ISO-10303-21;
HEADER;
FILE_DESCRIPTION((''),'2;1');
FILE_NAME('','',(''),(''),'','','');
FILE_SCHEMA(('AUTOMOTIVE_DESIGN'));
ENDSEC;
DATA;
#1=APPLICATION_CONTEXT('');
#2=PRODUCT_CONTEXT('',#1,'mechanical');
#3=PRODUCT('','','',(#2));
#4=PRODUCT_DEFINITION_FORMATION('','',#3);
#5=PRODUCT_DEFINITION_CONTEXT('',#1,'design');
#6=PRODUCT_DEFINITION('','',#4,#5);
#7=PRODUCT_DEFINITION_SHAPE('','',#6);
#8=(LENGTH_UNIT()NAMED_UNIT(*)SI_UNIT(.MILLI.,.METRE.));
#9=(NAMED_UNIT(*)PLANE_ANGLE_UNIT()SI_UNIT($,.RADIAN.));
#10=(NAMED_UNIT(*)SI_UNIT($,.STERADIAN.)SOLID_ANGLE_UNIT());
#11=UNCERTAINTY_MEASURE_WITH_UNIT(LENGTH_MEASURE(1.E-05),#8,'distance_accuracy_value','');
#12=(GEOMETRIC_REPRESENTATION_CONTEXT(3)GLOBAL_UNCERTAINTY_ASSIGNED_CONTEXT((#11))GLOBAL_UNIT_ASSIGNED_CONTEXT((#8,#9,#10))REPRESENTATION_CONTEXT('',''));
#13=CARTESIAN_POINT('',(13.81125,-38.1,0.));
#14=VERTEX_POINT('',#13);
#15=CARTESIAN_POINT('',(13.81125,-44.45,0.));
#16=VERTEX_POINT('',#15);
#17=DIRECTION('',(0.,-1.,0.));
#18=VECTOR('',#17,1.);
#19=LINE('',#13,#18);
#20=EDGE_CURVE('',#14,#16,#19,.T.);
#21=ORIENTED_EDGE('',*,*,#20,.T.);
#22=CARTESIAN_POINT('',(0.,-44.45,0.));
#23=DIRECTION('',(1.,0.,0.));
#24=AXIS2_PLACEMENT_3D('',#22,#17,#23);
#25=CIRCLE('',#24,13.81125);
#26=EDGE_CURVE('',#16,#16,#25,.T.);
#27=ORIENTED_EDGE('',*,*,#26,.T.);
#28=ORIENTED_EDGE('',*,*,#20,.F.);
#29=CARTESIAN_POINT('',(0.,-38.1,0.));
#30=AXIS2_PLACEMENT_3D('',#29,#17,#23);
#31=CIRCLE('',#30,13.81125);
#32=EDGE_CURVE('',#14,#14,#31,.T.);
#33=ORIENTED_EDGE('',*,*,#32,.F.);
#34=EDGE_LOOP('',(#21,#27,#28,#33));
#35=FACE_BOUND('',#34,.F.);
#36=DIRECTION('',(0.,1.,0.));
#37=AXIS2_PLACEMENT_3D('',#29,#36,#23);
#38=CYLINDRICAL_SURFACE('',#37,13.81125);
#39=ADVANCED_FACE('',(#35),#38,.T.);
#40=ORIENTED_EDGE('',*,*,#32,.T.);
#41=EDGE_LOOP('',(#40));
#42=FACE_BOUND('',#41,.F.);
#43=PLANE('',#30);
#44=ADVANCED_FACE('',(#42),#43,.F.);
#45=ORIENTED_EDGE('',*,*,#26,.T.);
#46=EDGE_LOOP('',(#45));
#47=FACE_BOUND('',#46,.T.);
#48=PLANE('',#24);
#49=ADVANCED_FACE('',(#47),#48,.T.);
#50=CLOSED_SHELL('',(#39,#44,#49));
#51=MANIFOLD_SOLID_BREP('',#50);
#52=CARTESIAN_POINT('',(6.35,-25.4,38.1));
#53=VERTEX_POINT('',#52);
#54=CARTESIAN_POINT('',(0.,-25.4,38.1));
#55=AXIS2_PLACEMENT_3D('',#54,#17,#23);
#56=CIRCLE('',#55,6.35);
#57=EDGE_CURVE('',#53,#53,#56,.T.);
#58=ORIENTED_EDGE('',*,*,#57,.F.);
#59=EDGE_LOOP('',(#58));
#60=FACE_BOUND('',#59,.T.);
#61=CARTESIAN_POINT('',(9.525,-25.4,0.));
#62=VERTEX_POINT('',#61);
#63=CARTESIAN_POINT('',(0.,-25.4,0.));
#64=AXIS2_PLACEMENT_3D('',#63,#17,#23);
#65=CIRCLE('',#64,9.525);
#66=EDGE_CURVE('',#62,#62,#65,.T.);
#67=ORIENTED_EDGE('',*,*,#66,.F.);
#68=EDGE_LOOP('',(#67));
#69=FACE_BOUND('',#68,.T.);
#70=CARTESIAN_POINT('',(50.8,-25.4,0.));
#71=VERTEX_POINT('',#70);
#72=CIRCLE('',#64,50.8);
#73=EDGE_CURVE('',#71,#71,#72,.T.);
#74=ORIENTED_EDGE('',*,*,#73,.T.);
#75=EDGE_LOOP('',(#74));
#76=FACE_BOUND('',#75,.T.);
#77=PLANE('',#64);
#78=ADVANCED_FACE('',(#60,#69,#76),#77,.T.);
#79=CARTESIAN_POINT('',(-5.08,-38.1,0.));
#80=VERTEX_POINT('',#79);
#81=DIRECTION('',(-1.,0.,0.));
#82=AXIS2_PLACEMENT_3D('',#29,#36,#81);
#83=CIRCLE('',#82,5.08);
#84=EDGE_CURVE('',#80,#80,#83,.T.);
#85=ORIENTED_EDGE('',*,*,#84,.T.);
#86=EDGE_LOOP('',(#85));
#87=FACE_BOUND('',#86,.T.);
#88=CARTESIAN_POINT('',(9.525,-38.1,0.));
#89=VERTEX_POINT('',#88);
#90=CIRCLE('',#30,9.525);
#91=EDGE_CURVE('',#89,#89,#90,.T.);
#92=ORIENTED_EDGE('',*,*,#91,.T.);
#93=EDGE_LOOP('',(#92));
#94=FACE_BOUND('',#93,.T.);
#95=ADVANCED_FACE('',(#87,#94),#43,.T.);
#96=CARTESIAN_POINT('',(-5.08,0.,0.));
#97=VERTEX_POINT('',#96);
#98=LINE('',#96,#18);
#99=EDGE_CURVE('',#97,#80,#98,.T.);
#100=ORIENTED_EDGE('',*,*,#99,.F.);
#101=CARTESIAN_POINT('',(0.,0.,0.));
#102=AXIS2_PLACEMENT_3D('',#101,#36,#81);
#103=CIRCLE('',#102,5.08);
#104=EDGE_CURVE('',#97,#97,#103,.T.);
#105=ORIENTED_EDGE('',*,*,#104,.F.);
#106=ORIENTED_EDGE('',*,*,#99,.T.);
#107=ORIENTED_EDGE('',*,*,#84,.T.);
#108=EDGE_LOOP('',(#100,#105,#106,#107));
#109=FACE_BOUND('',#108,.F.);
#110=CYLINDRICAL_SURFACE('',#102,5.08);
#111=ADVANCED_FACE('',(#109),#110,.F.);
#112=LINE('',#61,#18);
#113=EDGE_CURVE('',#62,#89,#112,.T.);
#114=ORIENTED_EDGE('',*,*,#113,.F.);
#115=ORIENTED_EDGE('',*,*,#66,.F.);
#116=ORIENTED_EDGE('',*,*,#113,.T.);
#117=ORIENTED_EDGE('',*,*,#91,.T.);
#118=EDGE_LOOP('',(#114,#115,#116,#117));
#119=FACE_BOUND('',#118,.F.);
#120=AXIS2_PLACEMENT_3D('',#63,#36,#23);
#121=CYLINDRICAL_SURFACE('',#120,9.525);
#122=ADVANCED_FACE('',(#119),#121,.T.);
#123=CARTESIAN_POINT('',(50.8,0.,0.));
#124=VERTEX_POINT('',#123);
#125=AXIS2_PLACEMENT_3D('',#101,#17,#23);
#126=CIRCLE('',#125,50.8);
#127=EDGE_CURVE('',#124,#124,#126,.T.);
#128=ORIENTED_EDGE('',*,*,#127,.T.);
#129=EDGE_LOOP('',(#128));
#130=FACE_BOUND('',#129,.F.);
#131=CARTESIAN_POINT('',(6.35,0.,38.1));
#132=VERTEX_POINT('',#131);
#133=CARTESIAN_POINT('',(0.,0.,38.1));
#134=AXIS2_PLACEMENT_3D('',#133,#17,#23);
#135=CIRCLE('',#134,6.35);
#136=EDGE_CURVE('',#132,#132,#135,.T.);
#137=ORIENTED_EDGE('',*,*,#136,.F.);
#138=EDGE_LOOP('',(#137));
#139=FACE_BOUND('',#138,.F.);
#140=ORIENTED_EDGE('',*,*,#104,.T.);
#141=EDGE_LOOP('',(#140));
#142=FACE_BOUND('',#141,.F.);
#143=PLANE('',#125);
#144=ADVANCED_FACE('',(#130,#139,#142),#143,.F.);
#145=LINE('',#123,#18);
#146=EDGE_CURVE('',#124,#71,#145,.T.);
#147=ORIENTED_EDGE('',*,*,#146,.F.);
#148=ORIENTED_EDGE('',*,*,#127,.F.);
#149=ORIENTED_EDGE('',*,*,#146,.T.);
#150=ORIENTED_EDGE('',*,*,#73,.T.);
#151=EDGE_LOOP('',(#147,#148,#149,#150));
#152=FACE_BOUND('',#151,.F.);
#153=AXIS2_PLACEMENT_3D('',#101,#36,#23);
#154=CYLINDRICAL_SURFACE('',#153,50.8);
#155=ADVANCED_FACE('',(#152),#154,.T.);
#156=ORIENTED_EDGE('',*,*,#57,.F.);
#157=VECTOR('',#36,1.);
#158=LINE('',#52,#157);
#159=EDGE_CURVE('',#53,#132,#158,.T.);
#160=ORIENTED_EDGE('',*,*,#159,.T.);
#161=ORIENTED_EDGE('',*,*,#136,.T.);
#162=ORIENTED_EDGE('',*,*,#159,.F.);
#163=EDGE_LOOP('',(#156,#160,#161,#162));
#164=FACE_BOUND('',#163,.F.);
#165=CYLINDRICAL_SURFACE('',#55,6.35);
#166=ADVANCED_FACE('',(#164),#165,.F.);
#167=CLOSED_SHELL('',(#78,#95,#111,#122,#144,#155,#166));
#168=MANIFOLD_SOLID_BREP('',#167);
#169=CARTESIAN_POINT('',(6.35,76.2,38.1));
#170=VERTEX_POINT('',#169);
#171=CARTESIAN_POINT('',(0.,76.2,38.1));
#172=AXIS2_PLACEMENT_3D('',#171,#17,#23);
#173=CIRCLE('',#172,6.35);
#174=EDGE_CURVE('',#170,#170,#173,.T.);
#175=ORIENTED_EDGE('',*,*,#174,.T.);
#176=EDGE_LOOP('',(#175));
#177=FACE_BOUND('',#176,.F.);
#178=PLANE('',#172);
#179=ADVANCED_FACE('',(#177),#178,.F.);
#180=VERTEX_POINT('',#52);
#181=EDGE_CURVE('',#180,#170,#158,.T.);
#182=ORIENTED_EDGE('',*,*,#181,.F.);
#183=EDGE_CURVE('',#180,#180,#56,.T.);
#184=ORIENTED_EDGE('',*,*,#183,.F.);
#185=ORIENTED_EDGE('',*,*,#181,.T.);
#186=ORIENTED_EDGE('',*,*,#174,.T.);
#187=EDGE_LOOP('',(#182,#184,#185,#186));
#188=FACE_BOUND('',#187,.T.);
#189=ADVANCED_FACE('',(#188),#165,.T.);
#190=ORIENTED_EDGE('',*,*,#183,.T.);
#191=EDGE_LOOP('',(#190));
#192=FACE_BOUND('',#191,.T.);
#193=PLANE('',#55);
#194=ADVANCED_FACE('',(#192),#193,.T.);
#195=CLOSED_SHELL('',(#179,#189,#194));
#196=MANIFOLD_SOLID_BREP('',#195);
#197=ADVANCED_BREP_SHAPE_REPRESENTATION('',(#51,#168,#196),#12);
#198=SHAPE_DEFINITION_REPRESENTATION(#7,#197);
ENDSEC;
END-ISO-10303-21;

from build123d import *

# Parameters (mm, degrees)
F0_R      = 50.8
F1_DEPTH  = 25.4
F2_R      = 9.525
F3_DEPTH  = 12.7
F4_R      = 5.08
F5_DEPTH  = 50.8
F6_R      = 6.35
F7_DEPTH  = 25.4
F8_DEPTH  = 101.6
F9_R      = 13.81125
F10_DEPTH = 6.35


with BuildPart() as f1:
    # F0 (on Front) → F1 (new body)
    with BuildSketch(Plane.XZ):
        Circle(F0_R)
    extrude(amount=F1_DEPTH)

    # F2 (on face) → F3 (join)
    with BuildSketch(Plane.XZ.offset(25.4)):
        Circle(F2_R)
    extrude(amount=F3_DEPTH)

    # F4 (on face) → F5 (cut)
    with BuildSketch(Plane(origin=(0, 0, 0), x_dir=(-1, 0, 0), z_dir=(0, 1, 0))):
        Circle(F4_R)
    extrude(amount=-F5_DEPTH, mode=Mode.SUBTRACT)

    # F6 (on face) → F7 (cut)
    with BuildSketch(Plane.XZ.offset(25.4)):
        with Locations((0, 38.1)):
            Circle(F6_R)
    extrude(amount=-F7_DEPTH, mode=Mode.SUBTRACT)


with BuildPart() as f8:
    # F6 (on face) → F8 (new body)
    with BuildSketch(Plane.XZ.offset(25.4)):
        with Locations((0, 38.1)):
            Circle(F6_R)
    extrude(amount=-F8_DEPTH)


with BuildPart() as f10:
    # F9 (on face) → F10 (new body)
    with BuildSketch(Plane.XZ.offset(38.1)):
        Circle(F9_R)
    extrude(amount=F10_DEPTH)


solid = Compound([f1.part, f8.part, f10.part])
